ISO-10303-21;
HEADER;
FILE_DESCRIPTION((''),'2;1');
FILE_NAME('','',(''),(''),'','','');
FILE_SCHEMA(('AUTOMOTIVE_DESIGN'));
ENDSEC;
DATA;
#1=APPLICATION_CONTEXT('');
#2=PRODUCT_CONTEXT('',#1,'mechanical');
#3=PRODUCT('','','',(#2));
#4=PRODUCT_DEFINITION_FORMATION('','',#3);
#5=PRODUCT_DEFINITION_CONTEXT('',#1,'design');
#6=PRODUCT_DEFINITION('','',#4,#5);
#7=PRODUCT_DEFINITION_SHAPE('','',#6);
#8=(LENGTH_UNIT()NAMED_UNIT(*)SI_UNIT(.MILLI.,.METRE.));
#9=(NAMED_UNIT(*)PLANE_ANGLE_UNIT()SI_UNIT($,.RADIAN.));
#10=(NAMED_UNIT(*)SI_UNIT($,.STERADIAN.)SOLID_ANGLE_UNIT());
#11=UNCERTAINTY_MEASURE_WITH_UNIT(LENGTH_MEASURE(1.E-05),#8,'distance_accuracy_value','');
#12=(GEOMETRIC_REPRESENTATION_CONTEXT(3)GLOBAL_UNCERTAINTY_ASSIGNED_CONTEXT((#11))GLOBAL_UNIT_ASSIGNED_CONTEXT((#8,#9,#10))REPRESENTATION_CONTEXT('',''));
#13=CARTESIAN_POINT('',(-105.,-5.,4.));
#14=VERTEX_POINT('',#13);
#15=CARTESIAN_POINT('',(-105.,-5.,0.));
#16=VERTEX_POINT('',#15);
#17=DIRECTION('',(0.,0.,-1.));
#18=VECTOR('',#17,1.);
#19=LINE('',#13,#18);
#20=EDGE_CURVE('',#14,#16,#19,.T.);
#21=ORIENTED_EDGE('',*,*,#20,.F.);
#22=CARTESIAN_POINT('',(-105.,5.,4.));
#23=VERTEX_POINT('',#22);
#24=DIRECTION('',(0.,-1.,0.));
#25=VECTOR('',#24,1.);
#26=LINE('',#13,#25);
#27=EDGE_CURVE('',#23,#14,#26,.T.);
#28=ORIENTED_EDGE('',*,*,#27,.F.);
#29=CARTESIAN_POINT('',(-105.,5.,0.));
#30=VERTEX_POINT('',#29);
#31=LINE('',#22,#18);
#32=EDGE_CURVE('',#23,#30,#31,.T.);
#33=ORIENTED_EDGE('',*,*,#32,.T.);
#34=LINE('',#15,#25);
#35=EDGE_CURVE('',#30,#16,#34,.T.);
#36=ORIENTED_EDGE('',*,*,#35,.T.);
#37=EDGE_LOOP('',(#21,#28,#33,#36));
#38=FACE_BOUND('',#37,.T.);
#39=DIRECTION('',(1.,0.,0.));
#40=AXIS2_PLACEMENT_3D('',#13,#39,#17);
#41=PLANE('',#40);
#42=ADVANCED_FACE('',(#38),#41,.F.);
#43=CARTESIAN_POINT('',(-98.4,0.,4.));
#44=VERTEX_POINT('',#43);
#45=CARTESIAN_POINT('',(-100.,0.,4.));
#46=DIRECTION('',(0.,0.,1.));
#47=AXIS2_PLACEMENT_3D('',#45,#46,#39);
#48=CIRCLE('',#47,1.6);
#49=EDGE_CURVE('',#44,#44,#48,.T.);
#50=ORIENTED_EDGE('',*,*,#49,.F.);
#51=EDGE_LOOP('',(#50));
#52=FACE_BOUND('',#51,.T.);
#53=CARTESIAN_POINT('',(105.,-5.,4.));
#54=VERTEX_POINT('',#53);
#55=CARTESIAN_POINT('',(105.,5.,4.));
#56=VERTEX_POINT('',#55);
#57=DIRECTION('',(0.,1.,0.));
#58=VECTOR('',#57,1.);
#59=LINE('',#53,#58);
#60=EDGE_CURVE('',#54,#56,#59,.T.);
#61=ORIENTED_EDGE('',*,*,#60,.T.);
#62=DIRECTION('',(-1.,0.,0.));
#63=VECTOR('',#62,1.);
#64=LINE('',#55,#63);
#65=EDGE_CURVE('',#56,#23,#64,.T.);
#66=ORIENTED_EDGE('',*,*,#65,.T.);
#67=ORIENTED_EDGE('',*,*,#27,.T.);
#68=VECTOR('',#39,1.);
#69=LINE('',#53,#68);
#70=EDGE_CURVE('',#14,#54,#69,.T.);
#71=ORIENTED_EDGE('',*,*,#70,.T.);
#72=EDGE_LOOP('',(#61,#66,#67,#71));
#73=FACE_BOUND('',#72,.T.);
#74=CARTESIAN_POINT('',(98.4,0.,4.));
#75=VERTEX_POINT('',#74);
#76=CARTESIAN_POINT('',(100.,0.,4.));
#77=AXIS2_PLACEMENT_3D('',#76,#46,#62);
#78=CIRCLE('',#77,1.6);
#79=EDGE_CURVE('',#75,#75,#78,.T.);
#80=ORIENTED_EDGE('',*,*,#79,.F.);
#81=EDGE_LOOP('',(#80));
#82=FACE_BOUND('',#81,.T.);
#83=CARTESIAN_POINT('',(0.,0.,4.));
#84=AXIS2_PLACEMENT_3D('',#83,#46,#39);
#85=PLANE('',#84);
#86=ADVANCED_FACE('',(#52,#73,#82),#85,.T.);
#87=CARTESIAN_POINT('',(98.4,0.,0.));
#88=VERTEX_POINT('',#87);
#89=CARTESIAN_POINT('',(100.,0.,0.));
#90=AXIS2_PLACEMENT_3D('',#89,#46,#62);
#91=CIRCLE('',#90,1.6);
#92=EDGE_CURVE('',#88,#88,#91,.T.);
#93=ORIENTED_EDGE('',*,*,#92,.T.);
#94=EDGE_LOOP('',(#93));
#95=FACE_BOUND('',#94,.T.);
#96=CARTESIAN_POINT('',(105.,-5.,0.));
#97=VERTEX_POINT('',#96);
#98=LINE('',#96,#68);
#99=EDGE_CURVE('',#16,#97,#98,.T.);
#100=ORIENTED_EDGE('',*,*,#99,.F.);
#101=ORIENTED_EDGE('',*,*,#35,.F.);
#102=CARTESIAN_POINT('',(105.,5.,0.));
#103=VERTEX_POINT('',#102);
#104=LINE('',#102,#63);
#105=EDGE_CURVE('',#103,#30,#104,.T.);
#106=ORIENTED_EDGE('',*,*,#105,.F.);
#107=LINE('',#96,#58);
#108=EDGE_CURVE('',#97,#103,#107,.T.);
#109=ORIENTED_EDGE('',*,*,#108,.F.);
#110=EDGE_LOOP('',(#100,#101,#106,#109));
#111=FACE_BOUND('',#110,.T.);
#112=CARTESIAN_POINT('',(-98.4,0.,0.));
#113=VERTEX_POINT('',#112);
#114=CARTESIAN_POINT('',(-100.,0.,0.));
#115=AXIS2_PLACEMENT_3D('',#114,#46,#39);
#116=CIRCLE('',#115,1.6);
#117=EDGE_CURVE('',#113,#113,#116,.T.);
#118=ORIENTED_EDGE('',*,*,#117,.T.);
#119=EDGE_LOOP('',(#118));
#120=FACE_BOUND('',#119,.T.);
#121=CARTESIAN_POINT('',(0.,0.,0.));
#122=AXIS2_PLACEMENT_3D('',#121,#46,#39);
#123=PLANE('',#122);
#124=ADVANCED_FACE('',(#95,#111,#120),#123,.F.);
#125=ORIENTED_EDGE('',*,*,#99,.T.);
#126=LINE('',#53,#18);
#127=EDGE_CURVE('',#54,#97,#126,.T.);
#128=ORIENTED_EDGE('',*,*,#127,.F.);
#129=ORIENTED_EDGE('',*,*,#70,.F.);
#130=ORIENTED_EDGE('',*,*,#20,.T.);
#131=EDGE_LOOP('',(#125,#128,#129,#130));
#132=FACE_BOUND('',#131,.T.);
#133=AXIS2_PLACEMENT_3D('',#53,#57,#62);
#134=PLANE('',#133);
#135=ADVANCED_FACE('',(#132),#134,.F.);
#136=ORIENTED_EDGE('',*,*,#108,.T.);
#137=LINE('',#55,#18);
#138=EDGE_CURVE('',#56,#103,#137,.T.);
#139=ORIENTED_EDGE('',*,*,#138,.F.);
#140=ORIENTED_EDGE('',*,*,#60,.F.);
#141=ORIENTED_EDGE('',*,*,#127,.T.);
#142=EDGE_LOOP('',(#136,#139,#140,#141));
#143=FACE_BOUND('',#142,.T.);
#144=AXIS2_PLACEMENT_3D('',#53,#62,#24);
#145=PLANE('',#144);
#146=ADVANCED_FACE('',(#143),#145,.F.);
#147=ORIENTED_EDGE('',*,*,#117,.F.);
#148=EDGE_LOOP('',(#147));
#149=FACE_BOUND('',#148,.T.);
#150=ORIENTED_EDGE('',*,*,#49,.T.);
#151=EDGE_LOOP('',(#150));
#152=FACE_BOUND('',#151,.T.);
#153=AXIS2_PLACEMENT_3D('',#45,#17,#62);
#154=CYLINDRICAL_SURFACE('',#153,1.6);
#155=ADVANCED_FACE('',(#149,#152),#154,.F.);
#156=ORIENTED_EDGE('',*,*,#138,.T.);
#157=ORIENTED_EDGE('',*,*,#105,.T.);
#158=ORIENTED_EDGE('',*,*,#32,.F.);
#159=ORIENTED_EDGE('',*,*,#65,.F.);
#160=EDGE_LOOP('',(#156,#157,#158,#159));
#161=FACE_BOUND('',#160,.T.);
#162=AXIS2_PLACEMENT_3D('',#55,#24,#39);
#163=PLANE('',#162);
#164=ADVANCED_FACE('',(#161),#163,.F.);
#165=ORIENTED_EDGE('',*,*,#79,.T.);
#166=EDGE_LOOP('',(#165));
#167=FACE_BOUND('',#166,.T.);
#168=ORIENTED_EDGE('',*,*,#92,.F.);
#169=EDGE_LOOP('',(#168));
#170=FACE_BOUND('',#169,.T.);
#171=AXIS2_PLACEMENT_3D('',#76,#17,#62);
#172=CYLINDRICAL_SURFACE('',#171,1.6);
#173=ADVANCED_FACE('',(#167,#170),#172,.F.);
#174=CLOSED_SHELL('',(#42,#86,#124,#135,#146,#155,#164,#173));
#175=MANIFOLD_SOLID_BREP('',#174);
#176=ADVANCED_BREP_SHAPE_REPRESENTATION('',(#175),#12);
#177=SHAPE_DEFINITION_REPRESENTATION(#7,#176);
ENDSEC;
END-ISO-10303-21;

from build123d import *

# Parameters (mm, degrees)
SKETCH_1_W      = 210
SKETCH_1_H      = 10
SKETCH_1_R      = 1.6
EXTRUDE_1_DEPTH = 4


with BuildPart() as part:
    # 草图1 → 凸台-拉伸1 (new body)
    with BuildSketch(Plane.XY):
        Rectangle(SKETCH_1_W, SKETCH_1_H)
        with Locations((-100, 0)):
            Circle(SKETCH_1_R, mode=Mode.SUBTRACT)
        with Locations((100, 0)):
            Circle(SKETCH_1_R, mode=Mode.SUBTRACT)
    extrude(amount=EXTRUDE_1_DEPTH)


solid = part.part
